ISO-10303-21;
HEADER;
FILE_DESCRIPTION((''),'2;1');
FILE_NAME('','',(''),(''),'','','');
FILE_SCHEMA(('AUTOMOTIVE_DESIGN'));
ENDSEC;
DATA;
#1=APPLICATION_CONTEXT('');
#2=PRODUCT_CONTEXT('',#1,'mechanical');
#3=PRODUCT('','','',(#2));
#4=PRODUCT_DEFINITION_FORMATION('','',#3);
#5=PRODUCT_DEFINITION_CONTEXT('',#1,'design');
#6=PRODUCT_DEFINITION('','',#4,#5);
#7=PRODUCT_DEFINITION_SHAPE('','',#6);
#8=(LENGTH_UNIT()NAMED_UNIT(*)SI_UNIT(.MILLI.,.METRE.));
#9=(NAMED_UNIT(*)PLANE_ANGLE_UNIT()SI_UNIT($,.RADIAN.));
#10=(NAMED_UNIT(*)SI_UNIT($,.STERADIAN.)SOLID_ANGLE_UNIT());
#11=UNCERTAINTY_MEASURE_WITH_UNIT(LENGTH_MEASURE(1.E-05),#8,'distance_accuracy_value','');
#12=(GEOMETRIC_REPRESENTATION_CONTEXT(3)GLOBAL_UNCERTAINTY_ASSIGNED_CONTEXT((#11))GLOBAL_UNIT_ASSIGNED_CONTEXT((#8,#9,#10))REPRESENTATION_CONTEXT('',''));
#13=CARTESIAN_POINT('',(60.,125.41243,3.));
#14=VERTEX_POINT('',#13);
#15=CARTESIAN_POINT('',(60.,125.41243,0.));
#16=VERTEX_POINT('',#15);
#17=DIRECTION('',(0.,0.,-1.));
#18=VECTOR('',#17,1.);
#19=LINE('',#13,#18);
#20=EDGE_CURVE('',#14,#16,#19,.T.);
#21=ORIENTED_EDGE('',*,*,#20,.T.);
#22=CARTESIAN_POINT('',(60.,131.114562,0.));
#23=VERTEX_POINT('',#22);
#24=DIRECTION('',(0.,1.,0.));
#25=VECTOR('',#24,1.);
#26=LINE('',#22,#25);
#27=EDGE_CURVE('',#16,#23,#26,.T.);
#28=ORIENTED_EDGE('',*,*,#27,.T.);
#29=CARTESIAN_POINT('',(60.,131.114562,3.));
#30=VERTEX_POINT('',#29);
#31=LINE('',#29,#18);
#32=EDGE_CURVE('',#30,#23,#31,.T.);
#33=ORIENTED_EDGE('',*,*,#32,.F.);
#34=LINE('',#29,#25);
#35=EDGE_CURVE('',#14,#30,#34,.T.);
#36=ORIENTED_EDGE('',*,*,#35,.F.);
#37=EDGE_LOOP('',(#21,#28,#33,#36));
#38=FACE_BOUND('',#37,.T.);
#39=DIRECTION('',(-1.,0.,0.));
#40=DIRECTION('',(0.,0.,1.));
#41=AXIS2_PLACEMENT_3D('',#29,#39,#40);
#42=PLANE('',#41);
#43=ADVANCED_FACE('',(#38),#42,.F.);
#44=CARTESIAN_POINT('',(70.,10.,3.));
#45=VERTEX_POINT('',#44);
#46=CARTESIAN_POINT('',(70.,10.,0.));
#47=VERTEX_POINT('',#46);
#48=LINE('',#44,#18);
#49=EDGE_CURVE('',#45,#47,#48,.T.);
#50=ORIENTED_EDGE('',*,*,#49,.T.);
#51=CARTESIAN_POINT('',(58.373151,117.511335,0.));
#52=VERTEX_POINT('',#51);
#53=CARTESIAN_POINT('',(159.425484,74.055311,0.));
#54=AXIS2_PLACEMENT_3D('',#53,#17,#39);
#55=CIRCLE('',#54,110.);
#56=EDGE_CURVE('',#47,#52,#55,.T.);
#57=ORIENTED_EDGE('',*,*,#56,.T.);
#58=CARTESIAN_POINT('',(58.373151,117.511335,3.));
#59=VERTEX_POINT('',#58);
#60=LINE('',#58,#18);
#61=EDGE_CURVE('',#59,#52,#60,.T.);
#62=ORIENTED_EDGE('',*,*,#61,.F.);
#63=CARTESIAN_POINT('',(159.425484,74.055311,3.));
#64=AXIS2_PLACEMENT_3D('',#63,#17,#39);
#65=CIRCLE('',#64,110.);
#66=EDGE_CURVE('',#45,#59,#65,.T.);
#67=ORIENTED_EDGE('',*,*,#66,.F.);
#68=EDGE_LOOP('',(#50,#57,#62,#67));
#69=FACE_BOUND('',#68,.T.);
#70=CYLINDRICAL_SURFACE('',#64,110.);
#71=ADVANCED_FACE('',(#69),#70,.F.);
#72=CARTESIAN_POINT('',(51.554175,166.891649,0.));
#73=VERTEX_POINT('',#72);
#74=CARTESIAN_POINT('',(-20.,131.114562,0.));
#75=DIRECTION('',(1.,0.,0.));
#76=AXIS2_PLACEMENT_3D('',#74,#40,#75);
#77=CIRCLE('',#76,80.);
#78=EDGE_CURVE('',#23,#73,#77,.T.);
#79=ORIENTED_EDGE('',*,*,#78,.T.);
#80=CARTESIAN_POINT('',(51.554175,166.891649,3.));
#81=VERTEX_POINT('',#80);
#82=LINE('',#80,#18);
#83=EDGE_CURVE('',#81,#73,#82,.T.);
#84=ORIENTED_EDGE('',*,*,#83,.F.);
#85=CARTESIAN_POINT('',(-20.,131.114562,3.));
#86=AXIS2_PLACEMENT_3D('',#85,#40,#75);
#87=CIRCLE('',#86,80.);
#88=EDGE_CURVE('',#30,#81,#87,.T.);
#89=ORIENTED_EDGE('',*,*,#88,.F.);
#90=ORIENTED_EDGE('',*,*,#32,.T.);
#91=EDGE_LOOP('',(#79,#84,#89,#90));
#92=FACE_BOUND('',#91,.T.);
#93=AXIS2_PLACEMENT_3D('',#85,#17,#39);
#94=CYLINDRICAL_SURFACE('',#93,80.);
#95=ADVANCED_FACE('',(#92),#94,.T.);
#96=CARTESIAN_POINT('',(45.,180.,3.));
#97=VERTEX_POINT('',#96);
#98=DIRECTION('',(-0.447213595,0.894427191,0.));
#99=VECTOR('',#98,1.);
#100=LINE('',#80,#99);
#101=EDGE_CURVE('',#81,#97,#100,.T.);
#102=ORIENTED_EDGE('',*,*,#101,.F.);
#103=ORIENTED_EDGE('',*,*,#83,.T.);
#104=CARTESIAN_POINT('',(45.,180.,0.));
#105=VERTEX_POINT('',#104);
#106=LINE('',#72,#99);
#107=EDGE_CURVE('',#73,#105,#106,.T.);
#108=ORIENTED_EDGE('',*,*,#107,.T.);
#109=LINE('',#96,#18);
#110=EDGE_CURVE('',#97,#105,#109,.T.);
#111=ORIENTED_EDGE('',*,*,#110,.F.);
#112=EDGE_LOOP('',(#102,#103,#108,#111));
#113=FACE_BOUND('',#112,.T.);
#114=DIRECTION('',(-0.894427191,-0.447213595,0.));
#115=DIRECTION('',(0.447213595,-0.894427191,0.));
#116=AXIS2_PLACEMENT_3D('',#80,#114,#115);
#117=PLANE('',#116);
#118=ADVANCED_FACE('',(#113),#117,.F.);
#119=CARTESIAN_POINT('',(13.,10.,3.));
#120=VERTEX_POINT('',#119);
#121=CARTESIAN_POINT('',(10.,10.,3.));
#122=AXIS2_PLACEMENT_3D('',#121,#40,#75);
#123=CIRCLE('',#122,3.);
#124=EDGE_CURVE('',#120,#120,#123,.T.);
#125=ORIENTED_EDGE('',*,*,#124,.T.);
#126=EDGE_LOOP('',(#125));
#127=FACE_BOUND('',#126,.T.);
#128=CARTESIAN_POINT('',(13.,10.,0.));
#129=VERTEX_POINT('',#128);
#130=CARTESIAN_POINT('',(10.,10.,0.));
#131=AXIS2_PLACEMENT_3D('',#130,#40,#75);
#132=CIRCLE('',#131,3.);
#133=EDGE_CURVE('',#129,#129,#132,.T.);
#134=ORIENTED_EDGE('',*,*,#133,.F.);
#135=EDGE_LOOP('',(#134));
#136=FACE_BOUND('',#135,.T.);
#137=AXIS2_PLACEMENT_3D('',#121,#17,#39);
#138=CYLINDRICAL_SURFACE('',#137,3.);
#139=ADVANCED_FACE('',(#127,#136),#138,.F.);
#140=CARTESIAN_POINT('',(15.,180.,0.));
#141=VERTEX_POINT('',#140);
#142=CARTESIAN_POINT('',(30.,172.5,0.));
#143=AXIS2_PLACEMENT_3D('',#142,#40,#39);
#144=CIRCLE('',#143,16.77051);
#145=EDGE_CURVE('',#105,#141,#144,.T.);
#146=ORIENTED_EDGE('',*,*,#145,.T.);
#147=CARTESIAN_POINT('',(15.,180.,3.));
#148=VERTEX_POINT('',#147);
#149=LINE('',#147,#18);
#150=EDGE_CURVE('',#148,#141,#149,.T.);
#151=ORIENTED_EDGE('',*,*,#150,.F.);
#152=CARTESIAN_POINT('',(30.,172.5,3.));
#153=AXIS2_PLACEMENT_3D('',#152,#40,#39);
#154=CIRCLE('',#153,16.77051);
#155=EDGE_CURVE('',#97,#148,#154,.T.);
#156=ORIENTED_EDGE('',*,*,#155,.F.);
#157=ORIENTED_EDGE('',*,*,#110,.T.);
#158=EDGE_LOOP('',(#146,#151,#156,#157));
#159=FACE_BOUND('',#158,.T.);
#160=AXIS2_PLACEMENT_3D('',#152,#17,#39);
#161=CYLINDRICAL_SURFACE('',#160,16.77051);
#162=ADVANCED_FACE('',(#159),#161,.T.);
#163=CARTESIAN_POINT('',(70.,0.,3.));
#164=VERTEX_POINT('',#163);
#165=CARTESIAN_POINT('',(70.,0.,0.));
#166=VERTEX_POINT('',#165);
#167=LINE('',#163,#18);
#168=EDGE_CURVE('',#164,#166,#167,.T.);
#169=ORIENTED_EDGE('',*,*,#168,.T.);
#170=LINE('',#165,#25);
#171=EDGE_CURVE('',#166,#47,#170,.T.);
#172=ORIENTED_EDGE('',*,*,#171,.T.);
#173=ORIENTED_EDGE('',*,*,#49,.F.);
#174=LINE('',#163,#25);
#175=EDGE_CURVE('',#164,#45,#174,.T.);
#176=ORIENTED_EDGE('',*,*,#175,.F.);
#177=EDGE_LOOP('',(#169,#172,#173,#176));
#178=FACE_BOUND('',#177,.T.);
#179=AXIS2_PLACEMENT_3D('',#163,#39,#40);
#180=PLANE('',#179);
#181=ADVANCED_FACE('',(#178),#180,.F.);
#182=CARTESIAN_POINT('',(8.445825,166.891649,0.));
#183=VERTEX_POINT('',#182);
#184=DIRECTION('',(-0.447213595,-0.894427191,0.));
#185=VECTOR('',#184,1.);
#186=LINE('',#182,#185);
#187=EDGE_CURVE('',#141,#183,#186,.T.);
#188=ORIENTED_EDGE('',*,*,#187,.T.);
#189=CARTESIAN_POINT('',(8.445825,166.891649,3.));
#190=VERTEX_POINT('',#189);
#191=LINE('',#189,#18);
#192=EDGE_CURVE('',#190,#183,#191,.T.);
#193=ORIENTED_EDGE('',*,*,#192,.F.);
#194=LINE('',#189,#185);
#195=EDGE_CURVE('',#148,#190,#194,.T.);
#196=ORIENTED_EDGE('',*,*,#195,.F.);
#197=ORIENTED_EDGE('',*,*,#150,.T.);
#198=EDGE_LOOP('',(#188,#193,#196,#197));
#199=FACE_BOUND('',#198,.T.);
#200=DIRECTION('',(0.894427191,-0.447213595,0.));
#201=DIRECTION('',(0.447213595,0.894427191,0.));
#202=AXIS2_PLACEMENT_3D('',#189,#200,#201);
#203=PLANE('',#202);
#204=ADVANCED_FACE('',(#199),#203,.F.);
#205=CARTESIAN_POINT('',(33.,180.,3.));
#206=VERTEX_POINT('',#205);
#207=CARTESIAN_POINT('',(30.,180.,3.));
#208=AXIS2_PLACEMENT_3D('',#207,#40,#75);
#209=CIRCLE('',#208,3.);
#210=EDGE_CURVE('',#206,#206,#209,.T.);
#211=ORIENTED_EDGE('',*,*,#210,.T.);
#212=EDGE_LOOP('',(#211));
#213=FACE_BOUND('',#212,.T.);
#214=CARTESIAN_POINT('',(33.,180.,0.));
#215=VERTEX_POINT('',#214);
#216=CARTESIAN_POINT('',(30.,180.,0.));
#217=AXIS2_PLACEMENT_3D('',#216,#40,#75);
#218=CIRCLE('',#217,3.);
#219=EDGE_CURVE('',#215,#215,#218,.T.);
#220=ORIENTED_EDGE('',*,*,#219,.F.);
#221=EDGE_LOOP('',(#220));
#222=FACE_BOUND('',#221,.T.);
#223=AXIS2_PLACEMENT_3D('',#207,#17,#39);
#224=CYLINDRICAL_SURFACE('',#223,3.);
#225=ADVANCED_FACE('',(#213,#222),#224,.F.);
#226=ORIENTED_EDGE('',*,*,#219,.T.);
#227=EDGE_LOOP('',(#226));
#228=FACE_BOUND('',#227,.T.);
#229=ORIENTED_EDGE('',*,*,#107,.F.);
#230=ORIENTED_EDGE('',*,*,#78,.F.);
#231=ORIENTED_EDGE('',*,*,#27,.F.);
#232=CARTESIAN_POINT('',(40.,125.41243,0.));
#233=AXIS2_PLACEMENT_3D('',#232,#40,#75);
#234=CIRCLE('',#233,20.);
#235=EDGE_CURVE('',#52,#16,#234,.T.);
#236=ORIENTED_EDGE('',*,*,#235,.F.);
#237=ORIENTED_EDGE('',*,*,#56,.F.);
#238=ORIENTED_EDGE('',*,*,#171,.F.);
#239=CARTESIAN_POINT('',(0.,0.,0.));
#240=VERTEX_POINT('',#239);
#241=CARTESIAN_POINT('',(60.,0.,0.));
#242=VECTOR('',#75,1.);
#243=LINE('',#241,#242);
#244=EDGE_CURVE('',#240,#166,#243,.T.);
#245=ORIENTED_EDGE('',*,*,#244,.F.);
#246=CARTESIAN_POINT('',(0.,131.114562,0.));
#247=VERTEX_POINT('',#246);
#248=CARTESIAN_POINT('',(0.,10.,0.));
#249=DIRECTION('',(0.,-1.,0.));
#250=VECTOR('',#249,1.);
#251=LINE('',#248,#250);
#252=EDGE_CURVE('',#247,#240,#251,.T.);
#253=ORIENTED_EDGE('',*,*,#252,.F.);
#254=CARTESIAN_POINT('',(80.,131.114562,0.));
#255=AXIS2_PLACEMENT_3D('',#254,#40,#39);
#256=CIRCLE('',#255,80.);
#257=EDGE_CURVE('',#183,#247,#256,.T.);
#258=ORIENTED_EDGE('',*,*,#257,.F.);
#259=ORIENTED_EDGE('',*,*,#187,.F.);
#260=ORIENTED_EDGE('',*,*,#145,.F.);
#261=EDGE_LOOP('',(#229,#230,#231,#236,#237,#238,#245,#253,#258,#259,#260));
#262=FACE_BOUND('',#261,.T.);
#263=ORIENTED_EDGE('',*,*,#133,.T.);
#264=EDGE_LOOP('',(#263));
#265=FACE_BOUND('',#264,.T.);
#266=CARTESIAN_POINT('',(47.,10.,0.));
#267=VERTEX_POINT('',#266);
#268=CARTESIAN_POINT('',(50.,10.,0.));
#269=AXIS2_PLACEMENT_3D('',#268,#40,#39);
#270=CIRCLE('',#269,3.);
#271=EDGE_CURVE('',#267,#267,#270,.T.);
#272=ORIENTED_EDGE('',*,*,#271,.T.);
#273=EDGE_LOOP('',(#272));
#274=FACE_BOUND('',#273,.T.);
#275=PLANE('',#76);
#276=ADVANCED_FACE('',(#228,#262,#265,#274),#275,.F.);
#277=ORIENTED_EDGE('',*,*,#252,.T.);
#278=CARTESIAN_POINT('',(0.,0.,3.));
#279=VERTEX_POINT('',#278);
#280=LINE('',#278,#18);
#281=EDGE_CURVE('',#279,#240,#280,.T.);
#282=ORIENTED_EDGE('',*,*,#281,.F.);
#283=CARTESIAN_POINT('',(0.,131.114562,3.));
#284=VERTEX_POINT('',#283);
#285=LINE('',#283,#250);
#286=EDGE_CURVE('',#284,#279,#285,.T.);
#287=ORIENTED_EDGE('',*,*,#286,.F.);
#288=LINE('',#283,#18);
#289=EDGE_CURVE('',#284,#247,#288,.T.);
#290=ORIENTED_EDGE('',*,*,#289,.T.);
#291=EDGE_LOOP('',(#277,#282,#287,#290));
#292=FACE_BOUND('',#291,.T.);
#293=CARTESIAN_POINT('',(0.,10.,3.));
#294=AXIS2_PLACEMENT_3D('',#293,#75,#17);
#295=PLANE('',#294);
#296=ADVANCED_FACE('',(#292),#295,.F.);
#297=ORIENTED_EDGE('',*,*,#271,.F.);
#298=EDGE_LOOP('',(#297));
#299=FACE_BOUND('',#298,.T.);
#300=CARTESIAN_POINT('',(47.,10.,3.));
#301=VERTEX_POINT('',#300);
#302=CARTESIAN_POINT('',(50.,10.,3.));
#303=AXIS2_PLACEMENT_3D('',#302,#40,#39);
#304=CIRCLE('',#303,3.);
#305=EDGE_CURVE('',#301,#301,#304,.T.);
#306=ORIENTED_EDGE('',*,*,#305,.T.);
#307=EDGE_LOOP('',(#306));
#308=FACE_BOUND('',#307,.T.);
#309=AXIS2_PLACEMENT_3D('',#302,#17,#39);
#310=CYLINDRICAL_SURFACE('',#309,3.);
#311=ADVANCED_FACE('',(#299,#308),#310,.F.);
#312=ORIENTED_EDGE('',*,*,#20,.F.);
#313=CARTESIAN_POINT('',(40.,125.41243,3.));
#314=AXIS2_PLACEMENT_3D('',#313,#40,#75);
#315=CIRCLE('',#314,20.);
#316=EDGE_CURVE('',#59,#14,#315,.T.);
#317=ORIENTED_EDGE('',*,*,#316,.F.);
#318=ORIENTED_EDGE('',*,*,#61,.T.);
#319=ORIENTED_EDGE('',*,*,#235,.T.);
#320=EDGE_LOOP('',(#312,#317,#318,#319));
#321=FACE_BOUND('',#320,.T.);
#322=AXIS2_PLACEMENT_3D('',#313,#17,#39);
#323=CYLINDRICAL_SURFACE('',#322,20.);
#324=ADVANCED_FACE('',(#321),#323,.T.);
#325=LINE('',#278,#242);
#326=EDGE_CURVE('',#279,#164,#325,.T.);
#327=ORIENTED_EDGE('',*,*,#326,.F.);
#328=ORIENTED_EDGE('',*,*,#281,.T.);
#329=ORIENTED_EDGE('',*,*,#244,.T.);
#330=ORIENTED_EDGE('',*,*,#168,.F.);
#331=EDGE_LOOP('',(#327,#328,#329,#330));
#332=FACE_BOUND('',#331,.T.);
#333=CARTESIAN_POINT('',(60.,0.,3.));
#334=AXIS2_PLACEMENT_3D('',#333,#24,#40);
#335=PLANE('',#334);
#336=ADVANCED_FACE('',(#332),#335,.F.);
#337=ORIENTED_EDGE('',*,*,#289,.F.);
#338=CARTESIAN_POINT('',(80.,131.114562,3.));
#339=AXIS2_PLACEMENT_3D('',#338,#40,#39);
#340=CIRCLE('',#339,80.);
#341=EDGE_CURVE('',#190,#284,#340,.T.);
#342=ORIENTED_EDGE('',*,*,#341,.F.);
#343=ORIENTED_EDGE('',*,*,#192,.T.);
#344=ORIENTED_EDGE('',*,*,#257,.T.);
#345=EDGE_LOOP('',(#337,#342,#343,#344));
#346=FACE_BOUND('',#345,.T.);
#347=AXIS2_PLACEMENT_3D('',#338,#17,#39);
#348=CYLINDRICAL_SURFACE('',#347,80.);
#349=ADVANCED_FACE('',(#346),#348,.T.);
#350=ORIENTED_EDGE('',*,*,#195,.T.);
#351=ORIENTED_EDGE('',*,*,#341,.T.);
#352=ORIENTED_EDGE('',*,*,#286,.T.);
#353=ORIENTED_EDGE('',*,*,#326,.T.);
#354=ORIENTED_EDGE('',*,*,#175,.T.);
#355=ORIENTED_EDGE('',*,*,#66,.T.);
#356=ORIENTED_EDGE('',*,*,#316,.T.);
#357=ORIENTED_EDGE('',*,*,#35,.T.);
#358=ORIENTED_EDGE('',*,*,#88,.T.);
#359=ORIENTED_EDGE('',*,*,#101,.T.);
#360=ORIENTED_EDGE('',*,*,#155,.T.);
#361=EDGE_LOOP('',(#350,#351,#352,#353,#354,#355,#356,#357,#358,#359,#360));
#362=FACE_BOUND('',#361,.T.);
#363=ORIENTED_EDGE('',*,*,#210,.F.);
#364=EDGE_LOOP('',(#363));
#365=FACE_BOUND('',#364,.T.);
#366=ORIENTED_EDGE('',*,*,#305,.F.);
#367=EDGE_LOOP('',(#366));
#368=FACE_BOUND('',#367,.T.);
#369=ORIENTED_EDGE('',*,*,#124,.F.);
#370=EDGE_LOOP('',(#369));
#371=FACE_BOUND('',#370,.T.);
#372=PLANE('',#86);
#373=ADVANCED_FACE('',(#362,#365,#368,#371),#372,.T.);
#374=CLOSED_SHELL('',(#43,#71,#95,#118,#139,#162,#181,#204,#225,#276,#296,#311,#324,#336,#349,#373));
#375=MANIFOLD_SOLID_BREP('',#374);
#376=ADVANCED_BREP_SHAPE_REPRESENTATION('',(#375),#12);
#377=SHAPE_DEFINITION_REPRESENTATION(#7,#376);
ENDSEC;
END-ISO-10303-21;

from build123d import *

# Parameters (mm, degrees)
SKETCH_1_R      = 3
EXTRUDE_1_DEPTH = 3


with BuildPart() as part:
    # 草图1 → 凸台-拉伸1 (new body)
    with BuildSketch(Plane.XY):
        with BuildLine():
            Line((8.44582472, 166.89164944), (15, 180))
            ThreePointArc((15, 180), (30, 189.270509831), (45, 180))
            Line((45, 180), (51.55417528, 166.89164944))
            ThreePointArc((51.55417528, 166.89164944), (57.859919157, 149.494795444), (60, 131.1145618))
            Line((60, 131.1145618), (60, 125.412430481))
            ThreePointArc((60, 125.412430481), (59.589066182, 121.379009336), (58.373151387, 117.511335106))
            ThreePointArc((58.373151387, 117.511335106), (50.063143822, 62.228284379), (70, 10))
            Line((70, 10), (70, 0))
            Line((70, 0), (60, 0))
            Line((60, 0), (0, 0))
            Line((0, 0), (0, 10))
            Line((0, 10), (0, 131.1145618))
            ThreePointArc((0, 131.1145618), (2.140080843, 149.494795444), (8.44582472, 166.89164944))
        make_face()
        with Locations((10, 10)):
            Circle(SKETCH_1_R, mode=Mode.SUBTRACT)
        with Locations((50, 10)):
            Circle(SKETCH_1_R, mode=Mode.SUBTRACT)
        with Locations((30, 180)):
            Circle(SKETCH_1_R, mode=Mode.SUBTRACT)
    extrude(amount=EXTRUDE_1_DEPTH)


solid = part.part
